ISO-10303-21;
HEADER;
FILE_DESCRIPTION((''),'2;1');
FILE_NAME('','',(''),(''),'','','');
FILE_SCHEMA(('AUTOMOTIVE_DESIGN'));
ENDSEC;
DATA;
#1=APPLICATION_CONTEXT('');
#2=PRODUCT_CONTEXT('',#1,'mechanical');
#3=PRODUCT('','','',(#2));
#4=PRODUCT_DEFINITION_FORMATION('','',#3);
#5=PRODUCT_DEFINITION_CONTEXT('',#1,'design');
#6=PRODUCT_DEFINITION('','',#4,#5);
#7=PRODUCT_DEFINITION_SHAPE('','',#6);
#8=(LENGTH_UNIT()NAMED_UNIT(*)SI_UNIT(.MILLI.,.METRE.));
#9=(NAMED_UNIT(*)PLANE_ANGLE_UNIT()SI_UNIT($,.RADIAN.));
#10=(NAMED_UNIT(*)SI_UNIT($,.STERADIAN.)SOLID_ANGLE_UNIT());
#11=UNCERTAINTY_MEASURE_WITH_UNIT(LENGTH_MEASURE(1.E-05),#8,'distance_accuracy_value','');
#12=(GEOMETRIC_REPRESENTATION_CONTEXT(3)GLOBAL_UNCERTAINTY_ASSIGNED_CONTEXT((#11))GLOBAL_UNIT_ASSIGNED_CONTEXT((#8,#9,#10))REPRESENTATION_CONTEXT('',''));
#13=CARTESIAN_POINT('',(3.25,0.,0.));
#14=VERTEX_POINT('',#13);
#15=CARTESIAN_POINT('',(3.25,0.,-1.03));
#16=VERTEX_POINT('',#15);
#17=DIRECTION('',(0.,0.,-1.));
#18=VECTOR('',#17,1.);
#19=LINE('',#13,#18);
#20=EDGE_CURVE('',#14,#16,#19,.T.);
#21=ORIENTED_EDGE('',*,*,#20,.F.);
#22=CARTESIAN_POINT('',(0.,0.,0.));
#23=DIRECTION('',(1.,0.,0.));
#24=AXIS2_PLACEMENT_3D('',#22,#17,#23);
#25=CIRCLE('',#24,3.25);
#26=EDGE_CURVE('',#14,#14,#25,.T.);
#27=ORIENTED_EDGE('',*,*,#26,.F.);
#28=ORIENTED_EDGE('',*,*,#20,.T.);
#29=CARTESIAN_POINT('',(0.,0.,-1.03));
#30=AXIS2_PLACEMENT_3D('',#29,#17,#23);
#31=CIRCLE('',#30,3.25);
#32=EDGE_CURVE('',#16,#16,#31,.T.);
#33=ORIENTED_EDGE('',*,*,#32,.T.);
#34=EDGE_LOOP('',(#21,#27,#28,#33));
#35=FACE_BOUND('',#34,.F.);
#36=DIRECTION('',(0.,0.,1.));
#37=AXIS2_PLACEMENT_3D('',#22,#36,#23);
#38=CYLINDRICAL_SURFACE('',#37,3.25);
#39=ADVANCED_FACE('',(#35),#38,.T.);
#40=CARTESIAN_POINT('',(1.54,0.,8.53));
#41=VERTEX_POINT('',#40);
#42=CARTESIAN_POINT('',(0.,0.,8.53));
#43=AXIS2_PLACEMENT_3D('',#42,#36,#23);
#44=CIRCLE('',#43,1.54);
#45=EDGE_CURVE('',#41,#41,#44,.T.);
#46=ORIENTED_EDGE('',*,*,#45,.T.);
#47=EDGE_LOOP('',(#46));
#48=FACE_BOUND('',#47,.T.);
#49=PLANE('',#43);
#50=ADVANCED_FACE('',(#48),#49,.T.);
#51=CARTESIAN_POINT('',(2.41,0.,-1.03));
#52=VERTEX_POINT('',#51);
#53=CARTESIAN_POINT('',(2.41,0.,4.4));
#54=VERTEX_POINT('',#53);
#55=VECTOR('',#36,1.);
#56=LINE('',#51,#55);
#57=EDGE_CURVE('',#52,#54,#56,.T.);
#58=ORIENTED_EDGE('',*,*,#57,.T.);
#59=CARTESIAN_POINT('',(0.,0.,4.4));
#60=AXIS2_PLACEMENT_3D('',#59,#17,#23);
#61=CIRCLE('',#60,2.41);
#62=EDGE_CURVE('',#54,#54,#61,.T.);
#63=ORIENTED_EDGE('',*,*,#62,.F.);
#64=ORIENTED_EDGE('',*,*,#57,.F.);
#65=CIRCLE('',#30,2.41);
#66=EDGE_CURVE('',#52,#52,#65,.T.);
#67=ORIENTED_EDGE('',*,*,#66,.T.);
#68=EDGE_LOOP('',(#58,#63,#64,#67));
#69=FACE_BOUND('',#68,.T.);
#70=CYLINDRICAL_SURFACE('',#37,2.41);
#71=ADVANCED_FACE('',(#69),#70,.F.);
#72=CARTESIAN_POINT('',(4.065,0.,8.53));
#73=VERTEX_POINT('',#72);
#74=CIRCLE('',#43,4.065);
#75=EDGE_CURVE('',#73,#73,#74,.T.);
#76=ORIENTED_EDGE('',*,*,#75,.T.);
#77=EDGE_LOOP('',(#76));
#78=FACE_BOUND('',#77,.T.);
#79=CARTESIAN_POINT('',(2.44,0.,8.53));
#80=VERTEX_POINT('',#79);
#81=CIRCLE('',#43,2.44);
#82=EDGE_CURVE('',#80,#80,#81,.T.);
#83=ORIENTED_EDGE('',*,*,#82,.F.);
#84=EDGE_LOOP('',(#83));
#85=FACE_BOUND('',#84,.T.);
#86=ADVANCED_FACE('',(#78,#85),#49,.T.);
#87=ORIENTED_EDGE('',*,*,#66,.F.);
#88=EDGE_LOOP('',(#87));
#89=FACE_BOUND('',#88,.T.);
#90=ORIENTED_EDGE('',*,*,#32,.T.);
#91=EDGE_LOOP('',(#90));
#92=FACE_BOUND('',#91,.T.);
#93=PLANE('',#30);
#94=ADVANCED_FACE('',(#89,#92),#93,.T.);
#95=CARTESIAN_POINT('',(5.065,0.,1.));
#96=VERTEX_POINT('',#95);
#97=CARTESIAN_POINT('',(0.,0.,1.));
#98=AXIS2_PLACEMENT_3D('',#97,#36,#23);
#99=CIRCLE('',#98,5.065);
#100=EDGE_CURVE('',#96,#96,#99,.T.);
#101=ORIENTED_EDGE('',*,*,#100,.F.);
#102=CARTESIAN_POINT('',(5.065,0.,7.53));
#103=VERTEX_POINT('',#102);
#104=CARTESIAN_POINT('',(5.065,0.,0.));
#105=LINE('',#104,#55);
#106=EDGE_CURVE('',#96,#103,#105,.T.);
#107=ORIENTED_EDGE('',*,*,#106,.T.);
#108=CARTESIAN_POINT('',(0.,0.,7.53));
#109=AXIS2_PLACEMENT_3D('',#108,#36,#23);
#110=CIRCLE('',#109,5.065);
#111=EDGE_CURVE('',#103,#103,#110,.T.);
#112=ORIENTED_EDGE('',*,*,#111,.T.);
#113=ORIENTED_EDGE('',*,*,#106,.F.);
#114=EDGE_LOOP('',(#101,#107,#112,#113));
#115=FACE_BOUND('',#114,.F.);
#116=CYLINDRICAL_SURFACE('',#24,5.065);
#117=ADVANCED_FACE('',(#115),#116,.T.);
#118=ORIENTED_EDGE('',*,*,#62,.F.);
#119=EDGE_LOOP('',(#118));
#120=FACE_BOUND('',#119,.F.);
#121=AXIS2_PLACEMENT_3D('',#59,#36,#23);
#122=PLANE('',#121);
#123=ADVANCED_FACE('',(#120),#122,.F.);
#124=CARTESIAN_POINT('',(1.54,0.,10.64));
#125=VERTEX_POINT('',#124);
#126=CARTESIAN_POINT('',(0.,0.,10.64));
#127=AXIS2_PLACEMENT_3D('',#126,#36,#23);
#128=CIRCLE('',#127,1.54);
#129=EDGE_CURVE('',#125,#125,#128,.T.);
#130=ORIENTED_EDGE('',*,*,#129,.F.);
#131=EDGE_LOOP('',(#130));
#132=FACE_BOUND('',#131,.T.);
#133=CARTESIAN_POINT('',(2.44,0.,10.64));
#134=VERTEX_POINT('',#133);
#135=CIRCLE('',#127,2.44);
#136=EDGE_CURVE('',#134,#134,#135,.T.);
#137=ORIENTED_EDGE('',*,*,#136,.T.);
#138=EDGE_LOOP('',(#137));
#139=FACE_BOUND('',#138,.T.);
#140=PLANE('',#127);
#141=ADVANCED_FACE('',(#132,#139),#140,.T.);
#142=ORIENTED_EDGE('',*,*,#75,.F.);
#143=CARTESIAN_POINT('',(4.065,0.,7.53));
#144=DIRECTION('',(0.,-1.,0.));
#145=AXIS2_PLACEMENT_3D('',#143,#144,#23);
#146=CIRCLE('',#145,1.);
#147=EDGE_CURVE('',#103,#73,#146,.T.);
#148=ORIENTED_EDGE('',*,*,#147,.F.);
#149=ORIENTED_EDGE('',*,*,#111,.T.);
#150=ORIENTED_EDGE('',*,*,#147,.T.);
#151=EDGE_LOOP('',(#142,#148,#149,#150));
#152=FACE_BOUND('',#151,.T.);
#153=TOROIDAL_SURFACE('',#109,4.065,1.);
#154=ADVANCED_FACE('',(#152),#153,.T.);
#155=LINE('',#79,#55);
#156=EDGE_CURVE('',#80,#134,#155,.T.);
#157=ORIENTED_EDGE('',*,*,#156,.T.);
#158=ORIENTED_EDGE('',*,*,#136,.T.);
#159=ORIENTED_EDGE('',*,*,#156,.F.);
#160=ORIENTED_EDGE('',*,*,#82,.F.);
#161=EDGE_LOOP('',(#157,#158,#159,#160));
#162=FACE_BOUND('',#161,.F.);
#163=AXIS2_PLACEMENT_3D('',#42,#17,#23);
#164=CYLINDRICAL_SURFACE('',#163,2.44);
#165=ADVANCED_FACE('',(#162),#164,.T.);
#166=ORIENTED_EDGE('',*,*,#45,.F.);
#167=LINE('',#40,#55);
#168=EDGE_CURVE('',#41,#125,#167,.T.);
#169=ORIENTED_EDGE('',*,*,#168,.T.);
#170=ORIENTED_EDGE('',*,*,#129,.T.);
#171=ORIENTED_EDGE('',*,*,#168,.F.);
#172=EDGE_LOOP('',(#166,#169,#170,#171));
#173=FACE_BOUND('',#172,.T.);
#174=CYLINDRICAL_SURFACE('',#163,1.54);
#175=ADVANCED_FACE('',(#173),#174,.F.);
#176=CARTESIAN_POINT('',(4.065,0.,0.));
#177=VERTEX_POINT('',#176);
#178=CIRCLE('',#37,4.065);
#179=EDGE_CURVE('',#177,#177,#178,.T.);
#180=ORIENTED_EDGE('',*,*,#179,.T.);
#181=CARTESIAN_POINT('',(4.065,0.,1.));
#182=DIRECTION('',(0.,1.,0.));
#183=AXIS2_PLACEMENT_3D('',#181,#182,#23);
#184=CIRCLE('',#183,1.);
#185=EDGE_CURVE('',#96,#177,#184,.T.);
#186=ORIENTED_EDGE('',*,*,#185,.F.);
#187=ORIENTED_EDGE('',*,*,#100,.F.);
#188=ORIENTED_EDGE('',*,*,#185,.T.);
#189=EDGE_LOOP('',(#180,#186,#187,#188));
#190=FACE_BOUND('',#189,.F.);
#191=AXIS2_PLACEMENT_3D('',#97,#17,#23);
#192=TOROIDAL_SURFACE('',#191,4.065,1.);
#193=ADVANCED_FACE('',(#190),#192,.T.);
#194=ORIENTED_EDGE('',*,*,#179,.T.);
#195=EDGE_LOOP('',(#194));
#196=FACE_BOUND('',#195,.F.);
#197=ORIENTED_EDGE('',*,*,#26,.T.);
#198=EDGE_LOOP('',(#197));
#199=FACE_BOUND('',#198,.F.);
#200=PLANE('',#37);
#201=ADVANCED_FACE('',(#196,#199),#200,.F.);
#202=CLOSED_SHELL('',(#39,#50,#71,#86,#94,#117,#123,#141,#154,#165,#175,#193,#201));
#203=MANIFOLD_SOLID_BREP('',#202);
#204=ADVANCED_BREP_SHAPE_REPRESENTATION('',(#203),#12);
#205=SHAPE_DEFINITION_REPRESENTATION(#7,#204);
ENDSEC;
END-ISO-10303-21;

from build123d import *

# Parameters (mm, degrees)
F0_R     = 5.065
F1_DEPTH = 8.53
F2_R     = 1
F3_R     = 1
F4_R     = 2.44
F4_R_2   = 1.54
F5_DEPTH = 2.11
F6_R     = 3.25
F6_R_2   = 2.41
F7_DEPTH = 1.03
F8_DEPTH = 4.4


with BuildPart() as f1:
    # F0 (on Top) → F1 (new body)
    with BuildSketch(Plane.XY):
        Circle(F0_R)
    extrude(amount=F1_DEPTH)

    # F2
    f2_edges = [f1.edges().sort_by_distance(p)[0] for p in [
        (-5.065, 0, 8.53),
    ]]
    fillet(f2_edges, radius=F2_R)

    # F3
    f3_edges = [f1.edges().sort_by_distance(p)[0] for p in [
        (-5.065, 0, 0),
    ]]
    fillet(f3_edges, radius=F3_R)

    # F4 (on face) → F5 (join)
    with BuildSketch(Plane.XY.offset(8.53)):
        Circle(F4_R)
        Circle(F4_R_2, mode=Mode.SUBTRACT)
    extrude(amount=F5_DEPTH)

    # F6 (on face) → F7 (join)
    with BuildSketch(Plane(origin=(0, 0, 0), x_dir=(1, 0, 0), z_dir=(0, 0, -1))):
        Circle(F6_R)
        Circle(F6_R_2, mode=Mode.SUBTRACT)
    extrude(amount=F7_DEPTH)

    # F8 (cut): a face of the model
    f8_faces = [f1.faces().sort_by_distance(p)[0] for p in [
        (0, 0, 0),
    ]]
    extrude(f8_faces, amount=-F8_DEPTH, mode=Mode.SUBTRACT)


solid = f1.part
